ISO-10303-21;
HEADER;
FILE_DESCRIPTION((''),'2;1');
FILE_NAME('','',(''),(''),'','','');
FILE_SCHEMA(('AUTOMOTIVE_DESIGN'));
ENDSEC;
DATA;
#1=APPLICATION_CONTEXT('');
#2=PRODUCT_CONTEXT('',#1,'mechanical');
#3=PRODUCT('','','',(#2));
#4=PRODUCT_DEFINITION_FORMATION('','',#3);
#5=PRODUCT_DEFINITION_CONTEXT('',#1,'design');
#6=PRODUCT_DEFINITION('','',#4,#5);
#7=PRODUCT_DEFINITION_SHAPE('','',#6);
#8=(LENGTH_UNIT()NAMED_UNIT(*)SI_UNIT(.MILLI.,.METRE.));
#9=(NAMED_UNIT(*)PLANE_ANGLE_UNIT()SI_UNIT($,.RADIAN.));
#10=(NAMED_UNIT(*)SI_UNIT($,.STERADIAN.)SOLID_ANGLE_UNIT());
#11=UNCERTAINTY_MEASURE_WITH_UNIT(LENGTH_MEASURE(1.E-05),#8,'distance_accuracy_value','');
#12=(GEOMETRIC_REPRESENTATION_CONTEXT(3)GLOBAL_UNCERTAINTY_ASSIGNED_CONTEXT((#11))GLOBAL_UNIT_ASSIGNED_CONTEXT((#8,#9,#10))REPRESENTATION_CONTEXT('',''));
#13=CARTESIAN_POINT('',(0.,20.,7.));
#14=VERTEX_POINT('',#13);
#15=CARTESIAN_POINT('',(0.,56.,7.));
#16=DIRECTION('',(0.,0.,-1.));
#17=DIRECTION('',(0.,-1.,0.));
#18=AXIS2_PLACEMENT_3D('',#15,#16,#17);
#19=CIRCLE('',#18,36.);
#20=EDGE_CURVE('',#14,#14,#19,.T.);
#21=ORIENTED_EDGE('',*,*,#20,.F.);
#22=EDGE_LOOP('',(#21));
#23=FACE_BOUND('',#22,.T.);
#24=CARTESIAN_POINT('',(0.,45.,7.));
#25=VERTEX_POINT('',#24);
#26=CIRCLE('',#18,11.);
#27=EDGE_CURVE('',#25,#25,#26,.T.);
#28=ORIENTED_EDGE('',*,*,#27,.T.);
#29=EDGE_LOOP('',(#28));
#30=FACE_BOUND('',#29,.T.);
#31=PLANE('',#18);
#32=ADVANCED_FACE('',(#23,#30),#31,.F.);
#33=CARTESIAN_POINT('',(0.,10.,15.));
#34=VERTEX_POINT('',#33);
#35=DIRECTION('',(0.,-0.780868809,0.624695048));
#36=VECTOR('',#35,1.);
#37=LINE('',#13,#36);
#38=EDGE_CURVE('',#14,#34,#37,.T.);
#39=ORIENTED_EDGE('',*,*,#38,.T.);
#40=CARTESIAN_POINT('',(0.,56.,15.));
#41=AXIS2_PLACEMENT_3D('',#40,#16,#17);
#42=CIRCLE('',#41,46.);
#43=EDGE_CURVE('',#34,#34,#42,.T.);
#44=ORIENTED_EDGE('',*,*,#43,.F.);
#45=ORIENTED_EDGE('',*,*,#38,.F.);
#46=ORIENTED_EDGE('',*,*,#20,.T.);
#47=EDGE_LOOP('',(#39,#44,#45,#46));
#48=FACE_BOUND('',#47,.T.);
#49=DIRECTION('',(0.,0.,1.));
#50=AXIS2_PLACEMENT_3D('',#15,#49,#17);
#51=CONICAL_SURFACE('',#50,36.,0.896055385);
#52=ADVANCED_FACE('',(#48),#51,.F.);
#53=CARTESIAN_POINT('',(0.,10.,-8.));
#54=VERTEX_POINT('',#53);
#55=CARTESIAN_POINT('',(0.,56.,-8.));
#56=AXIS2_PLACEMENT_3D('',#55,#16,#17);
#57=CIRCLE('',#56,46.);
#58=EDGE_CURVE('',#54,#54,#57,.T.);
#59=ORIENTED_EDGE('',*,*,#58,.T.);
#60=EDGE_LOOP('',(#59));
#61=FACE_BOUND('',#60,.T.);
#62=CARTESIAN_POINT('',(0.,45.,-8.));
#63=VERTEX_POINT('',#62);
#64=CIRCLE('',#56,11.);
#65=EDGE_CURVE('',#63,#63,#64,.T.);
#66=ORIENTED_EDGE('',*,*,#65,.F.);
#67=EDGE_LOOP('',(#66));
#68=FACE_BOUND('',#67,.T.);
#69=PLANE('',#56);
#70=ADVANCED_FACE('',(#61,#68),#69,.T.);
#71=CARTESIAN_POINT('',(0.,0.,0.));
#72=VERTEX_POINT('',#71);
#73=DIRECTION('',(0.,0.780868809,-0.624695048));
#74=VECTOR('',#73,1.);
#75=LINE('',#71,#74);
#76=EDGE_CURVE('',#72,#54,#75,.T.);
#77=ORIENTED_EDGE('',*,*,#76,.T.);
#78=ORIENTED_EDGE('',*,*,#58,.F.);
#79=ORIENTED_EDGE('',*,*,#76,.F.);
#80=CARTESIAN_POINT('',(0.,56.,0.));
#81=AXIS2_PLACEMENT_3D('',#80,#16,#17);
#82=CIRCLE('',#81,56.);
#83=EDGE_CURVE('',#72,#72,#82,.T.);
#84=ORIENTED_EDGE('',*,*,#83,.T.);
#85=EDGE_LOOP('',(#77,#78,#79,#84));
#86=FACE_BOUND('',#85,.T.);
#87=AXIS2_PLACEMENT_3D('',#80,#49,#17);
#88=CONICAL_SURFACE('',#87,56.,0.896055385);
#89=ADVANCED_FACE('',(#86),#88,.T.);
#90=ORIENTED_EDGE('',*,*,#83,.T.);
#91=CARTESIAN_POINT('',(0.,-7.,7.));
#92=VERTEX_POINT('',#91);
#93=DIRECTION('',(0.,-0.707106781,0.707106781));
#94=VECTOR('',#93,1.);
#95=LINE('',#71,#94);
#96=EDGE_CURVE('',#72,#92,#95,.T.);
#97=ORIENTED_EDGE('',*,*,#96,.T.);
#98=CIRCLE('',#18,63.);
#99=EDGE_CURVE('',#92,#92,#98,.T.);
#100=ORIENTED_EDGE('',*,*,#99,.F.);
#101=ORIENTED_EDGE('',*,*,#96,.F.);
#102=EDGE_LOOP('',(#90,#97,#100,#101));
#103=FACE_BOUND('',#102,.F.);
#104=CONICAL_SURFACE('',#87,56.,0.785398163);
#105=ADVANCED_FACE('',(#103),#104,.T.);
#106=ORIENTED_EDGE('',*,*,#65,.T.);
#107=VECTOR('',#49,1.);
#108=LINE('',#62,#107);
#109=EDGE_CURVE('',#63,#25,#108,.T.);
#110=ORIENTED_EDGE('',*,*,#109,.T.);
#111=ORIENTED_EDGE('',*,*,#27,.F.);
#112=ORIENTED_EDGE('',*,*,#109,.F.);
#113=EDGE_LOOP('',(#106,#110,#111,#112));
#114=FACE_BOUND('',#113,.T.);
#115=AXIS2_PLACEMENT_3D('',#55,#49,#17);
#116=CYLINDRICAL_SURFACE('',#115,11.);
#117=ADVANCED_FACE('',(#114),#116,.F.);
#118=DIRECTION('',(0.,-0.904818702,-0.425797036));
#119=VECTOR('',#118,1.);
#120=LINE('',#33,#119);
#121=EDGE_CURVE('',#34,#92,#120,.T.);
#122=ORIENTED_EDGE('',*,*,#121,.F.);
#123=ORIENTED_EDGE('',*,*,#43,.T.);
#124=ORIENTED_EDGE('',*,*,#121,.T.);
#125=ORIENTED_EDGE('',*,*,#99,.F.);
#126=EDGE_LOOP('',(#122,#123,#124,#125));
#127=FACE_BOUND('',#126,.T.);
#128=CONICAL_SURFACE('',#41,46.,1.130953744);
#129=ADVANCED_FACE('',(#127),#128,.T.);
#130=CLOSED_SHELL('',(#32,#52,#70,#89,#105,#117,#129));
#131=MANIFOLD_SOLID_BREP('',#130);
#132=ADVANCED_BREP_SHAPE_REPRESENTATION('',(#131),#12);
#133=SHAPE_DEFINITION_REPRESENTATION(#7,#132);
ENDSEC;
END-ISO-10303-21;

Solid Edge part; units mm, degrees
sketch "Sketch1" plane through (0, 0, 0) normal (1, 0, 0) x (0, 1, 0)
  line L0 (10, -8) -> (45, -8)
  line L1 (45, -8) -> (45, 7)
  line L2 (45, 7) -> (20, 7)
  line L3 (20, 7) -> (10, 15)
  line L4 (10, 15) -> (-7, 7)
  line L5 (0, 0) -> (-7, 7)
  line L6 (0, 0) -> (10, -8)
  dimension "D1" = 10
  dimension "D2" = 35
  dimension "D3" = 56
  dimension "D4" = 15
  dimension "D5" = 8
  dimension "D6" = 25
  dimension "D7" = 10
  dimension "D8" = 8
  dimension "D9" = 17
  dimension "D10" = 8
revolve "RevolvedProtrusion1" add sketch "Sketch1" angle 360 about axis through (0, 56, 17.8505) along (0, 0, -1)
properties material "Steel"
